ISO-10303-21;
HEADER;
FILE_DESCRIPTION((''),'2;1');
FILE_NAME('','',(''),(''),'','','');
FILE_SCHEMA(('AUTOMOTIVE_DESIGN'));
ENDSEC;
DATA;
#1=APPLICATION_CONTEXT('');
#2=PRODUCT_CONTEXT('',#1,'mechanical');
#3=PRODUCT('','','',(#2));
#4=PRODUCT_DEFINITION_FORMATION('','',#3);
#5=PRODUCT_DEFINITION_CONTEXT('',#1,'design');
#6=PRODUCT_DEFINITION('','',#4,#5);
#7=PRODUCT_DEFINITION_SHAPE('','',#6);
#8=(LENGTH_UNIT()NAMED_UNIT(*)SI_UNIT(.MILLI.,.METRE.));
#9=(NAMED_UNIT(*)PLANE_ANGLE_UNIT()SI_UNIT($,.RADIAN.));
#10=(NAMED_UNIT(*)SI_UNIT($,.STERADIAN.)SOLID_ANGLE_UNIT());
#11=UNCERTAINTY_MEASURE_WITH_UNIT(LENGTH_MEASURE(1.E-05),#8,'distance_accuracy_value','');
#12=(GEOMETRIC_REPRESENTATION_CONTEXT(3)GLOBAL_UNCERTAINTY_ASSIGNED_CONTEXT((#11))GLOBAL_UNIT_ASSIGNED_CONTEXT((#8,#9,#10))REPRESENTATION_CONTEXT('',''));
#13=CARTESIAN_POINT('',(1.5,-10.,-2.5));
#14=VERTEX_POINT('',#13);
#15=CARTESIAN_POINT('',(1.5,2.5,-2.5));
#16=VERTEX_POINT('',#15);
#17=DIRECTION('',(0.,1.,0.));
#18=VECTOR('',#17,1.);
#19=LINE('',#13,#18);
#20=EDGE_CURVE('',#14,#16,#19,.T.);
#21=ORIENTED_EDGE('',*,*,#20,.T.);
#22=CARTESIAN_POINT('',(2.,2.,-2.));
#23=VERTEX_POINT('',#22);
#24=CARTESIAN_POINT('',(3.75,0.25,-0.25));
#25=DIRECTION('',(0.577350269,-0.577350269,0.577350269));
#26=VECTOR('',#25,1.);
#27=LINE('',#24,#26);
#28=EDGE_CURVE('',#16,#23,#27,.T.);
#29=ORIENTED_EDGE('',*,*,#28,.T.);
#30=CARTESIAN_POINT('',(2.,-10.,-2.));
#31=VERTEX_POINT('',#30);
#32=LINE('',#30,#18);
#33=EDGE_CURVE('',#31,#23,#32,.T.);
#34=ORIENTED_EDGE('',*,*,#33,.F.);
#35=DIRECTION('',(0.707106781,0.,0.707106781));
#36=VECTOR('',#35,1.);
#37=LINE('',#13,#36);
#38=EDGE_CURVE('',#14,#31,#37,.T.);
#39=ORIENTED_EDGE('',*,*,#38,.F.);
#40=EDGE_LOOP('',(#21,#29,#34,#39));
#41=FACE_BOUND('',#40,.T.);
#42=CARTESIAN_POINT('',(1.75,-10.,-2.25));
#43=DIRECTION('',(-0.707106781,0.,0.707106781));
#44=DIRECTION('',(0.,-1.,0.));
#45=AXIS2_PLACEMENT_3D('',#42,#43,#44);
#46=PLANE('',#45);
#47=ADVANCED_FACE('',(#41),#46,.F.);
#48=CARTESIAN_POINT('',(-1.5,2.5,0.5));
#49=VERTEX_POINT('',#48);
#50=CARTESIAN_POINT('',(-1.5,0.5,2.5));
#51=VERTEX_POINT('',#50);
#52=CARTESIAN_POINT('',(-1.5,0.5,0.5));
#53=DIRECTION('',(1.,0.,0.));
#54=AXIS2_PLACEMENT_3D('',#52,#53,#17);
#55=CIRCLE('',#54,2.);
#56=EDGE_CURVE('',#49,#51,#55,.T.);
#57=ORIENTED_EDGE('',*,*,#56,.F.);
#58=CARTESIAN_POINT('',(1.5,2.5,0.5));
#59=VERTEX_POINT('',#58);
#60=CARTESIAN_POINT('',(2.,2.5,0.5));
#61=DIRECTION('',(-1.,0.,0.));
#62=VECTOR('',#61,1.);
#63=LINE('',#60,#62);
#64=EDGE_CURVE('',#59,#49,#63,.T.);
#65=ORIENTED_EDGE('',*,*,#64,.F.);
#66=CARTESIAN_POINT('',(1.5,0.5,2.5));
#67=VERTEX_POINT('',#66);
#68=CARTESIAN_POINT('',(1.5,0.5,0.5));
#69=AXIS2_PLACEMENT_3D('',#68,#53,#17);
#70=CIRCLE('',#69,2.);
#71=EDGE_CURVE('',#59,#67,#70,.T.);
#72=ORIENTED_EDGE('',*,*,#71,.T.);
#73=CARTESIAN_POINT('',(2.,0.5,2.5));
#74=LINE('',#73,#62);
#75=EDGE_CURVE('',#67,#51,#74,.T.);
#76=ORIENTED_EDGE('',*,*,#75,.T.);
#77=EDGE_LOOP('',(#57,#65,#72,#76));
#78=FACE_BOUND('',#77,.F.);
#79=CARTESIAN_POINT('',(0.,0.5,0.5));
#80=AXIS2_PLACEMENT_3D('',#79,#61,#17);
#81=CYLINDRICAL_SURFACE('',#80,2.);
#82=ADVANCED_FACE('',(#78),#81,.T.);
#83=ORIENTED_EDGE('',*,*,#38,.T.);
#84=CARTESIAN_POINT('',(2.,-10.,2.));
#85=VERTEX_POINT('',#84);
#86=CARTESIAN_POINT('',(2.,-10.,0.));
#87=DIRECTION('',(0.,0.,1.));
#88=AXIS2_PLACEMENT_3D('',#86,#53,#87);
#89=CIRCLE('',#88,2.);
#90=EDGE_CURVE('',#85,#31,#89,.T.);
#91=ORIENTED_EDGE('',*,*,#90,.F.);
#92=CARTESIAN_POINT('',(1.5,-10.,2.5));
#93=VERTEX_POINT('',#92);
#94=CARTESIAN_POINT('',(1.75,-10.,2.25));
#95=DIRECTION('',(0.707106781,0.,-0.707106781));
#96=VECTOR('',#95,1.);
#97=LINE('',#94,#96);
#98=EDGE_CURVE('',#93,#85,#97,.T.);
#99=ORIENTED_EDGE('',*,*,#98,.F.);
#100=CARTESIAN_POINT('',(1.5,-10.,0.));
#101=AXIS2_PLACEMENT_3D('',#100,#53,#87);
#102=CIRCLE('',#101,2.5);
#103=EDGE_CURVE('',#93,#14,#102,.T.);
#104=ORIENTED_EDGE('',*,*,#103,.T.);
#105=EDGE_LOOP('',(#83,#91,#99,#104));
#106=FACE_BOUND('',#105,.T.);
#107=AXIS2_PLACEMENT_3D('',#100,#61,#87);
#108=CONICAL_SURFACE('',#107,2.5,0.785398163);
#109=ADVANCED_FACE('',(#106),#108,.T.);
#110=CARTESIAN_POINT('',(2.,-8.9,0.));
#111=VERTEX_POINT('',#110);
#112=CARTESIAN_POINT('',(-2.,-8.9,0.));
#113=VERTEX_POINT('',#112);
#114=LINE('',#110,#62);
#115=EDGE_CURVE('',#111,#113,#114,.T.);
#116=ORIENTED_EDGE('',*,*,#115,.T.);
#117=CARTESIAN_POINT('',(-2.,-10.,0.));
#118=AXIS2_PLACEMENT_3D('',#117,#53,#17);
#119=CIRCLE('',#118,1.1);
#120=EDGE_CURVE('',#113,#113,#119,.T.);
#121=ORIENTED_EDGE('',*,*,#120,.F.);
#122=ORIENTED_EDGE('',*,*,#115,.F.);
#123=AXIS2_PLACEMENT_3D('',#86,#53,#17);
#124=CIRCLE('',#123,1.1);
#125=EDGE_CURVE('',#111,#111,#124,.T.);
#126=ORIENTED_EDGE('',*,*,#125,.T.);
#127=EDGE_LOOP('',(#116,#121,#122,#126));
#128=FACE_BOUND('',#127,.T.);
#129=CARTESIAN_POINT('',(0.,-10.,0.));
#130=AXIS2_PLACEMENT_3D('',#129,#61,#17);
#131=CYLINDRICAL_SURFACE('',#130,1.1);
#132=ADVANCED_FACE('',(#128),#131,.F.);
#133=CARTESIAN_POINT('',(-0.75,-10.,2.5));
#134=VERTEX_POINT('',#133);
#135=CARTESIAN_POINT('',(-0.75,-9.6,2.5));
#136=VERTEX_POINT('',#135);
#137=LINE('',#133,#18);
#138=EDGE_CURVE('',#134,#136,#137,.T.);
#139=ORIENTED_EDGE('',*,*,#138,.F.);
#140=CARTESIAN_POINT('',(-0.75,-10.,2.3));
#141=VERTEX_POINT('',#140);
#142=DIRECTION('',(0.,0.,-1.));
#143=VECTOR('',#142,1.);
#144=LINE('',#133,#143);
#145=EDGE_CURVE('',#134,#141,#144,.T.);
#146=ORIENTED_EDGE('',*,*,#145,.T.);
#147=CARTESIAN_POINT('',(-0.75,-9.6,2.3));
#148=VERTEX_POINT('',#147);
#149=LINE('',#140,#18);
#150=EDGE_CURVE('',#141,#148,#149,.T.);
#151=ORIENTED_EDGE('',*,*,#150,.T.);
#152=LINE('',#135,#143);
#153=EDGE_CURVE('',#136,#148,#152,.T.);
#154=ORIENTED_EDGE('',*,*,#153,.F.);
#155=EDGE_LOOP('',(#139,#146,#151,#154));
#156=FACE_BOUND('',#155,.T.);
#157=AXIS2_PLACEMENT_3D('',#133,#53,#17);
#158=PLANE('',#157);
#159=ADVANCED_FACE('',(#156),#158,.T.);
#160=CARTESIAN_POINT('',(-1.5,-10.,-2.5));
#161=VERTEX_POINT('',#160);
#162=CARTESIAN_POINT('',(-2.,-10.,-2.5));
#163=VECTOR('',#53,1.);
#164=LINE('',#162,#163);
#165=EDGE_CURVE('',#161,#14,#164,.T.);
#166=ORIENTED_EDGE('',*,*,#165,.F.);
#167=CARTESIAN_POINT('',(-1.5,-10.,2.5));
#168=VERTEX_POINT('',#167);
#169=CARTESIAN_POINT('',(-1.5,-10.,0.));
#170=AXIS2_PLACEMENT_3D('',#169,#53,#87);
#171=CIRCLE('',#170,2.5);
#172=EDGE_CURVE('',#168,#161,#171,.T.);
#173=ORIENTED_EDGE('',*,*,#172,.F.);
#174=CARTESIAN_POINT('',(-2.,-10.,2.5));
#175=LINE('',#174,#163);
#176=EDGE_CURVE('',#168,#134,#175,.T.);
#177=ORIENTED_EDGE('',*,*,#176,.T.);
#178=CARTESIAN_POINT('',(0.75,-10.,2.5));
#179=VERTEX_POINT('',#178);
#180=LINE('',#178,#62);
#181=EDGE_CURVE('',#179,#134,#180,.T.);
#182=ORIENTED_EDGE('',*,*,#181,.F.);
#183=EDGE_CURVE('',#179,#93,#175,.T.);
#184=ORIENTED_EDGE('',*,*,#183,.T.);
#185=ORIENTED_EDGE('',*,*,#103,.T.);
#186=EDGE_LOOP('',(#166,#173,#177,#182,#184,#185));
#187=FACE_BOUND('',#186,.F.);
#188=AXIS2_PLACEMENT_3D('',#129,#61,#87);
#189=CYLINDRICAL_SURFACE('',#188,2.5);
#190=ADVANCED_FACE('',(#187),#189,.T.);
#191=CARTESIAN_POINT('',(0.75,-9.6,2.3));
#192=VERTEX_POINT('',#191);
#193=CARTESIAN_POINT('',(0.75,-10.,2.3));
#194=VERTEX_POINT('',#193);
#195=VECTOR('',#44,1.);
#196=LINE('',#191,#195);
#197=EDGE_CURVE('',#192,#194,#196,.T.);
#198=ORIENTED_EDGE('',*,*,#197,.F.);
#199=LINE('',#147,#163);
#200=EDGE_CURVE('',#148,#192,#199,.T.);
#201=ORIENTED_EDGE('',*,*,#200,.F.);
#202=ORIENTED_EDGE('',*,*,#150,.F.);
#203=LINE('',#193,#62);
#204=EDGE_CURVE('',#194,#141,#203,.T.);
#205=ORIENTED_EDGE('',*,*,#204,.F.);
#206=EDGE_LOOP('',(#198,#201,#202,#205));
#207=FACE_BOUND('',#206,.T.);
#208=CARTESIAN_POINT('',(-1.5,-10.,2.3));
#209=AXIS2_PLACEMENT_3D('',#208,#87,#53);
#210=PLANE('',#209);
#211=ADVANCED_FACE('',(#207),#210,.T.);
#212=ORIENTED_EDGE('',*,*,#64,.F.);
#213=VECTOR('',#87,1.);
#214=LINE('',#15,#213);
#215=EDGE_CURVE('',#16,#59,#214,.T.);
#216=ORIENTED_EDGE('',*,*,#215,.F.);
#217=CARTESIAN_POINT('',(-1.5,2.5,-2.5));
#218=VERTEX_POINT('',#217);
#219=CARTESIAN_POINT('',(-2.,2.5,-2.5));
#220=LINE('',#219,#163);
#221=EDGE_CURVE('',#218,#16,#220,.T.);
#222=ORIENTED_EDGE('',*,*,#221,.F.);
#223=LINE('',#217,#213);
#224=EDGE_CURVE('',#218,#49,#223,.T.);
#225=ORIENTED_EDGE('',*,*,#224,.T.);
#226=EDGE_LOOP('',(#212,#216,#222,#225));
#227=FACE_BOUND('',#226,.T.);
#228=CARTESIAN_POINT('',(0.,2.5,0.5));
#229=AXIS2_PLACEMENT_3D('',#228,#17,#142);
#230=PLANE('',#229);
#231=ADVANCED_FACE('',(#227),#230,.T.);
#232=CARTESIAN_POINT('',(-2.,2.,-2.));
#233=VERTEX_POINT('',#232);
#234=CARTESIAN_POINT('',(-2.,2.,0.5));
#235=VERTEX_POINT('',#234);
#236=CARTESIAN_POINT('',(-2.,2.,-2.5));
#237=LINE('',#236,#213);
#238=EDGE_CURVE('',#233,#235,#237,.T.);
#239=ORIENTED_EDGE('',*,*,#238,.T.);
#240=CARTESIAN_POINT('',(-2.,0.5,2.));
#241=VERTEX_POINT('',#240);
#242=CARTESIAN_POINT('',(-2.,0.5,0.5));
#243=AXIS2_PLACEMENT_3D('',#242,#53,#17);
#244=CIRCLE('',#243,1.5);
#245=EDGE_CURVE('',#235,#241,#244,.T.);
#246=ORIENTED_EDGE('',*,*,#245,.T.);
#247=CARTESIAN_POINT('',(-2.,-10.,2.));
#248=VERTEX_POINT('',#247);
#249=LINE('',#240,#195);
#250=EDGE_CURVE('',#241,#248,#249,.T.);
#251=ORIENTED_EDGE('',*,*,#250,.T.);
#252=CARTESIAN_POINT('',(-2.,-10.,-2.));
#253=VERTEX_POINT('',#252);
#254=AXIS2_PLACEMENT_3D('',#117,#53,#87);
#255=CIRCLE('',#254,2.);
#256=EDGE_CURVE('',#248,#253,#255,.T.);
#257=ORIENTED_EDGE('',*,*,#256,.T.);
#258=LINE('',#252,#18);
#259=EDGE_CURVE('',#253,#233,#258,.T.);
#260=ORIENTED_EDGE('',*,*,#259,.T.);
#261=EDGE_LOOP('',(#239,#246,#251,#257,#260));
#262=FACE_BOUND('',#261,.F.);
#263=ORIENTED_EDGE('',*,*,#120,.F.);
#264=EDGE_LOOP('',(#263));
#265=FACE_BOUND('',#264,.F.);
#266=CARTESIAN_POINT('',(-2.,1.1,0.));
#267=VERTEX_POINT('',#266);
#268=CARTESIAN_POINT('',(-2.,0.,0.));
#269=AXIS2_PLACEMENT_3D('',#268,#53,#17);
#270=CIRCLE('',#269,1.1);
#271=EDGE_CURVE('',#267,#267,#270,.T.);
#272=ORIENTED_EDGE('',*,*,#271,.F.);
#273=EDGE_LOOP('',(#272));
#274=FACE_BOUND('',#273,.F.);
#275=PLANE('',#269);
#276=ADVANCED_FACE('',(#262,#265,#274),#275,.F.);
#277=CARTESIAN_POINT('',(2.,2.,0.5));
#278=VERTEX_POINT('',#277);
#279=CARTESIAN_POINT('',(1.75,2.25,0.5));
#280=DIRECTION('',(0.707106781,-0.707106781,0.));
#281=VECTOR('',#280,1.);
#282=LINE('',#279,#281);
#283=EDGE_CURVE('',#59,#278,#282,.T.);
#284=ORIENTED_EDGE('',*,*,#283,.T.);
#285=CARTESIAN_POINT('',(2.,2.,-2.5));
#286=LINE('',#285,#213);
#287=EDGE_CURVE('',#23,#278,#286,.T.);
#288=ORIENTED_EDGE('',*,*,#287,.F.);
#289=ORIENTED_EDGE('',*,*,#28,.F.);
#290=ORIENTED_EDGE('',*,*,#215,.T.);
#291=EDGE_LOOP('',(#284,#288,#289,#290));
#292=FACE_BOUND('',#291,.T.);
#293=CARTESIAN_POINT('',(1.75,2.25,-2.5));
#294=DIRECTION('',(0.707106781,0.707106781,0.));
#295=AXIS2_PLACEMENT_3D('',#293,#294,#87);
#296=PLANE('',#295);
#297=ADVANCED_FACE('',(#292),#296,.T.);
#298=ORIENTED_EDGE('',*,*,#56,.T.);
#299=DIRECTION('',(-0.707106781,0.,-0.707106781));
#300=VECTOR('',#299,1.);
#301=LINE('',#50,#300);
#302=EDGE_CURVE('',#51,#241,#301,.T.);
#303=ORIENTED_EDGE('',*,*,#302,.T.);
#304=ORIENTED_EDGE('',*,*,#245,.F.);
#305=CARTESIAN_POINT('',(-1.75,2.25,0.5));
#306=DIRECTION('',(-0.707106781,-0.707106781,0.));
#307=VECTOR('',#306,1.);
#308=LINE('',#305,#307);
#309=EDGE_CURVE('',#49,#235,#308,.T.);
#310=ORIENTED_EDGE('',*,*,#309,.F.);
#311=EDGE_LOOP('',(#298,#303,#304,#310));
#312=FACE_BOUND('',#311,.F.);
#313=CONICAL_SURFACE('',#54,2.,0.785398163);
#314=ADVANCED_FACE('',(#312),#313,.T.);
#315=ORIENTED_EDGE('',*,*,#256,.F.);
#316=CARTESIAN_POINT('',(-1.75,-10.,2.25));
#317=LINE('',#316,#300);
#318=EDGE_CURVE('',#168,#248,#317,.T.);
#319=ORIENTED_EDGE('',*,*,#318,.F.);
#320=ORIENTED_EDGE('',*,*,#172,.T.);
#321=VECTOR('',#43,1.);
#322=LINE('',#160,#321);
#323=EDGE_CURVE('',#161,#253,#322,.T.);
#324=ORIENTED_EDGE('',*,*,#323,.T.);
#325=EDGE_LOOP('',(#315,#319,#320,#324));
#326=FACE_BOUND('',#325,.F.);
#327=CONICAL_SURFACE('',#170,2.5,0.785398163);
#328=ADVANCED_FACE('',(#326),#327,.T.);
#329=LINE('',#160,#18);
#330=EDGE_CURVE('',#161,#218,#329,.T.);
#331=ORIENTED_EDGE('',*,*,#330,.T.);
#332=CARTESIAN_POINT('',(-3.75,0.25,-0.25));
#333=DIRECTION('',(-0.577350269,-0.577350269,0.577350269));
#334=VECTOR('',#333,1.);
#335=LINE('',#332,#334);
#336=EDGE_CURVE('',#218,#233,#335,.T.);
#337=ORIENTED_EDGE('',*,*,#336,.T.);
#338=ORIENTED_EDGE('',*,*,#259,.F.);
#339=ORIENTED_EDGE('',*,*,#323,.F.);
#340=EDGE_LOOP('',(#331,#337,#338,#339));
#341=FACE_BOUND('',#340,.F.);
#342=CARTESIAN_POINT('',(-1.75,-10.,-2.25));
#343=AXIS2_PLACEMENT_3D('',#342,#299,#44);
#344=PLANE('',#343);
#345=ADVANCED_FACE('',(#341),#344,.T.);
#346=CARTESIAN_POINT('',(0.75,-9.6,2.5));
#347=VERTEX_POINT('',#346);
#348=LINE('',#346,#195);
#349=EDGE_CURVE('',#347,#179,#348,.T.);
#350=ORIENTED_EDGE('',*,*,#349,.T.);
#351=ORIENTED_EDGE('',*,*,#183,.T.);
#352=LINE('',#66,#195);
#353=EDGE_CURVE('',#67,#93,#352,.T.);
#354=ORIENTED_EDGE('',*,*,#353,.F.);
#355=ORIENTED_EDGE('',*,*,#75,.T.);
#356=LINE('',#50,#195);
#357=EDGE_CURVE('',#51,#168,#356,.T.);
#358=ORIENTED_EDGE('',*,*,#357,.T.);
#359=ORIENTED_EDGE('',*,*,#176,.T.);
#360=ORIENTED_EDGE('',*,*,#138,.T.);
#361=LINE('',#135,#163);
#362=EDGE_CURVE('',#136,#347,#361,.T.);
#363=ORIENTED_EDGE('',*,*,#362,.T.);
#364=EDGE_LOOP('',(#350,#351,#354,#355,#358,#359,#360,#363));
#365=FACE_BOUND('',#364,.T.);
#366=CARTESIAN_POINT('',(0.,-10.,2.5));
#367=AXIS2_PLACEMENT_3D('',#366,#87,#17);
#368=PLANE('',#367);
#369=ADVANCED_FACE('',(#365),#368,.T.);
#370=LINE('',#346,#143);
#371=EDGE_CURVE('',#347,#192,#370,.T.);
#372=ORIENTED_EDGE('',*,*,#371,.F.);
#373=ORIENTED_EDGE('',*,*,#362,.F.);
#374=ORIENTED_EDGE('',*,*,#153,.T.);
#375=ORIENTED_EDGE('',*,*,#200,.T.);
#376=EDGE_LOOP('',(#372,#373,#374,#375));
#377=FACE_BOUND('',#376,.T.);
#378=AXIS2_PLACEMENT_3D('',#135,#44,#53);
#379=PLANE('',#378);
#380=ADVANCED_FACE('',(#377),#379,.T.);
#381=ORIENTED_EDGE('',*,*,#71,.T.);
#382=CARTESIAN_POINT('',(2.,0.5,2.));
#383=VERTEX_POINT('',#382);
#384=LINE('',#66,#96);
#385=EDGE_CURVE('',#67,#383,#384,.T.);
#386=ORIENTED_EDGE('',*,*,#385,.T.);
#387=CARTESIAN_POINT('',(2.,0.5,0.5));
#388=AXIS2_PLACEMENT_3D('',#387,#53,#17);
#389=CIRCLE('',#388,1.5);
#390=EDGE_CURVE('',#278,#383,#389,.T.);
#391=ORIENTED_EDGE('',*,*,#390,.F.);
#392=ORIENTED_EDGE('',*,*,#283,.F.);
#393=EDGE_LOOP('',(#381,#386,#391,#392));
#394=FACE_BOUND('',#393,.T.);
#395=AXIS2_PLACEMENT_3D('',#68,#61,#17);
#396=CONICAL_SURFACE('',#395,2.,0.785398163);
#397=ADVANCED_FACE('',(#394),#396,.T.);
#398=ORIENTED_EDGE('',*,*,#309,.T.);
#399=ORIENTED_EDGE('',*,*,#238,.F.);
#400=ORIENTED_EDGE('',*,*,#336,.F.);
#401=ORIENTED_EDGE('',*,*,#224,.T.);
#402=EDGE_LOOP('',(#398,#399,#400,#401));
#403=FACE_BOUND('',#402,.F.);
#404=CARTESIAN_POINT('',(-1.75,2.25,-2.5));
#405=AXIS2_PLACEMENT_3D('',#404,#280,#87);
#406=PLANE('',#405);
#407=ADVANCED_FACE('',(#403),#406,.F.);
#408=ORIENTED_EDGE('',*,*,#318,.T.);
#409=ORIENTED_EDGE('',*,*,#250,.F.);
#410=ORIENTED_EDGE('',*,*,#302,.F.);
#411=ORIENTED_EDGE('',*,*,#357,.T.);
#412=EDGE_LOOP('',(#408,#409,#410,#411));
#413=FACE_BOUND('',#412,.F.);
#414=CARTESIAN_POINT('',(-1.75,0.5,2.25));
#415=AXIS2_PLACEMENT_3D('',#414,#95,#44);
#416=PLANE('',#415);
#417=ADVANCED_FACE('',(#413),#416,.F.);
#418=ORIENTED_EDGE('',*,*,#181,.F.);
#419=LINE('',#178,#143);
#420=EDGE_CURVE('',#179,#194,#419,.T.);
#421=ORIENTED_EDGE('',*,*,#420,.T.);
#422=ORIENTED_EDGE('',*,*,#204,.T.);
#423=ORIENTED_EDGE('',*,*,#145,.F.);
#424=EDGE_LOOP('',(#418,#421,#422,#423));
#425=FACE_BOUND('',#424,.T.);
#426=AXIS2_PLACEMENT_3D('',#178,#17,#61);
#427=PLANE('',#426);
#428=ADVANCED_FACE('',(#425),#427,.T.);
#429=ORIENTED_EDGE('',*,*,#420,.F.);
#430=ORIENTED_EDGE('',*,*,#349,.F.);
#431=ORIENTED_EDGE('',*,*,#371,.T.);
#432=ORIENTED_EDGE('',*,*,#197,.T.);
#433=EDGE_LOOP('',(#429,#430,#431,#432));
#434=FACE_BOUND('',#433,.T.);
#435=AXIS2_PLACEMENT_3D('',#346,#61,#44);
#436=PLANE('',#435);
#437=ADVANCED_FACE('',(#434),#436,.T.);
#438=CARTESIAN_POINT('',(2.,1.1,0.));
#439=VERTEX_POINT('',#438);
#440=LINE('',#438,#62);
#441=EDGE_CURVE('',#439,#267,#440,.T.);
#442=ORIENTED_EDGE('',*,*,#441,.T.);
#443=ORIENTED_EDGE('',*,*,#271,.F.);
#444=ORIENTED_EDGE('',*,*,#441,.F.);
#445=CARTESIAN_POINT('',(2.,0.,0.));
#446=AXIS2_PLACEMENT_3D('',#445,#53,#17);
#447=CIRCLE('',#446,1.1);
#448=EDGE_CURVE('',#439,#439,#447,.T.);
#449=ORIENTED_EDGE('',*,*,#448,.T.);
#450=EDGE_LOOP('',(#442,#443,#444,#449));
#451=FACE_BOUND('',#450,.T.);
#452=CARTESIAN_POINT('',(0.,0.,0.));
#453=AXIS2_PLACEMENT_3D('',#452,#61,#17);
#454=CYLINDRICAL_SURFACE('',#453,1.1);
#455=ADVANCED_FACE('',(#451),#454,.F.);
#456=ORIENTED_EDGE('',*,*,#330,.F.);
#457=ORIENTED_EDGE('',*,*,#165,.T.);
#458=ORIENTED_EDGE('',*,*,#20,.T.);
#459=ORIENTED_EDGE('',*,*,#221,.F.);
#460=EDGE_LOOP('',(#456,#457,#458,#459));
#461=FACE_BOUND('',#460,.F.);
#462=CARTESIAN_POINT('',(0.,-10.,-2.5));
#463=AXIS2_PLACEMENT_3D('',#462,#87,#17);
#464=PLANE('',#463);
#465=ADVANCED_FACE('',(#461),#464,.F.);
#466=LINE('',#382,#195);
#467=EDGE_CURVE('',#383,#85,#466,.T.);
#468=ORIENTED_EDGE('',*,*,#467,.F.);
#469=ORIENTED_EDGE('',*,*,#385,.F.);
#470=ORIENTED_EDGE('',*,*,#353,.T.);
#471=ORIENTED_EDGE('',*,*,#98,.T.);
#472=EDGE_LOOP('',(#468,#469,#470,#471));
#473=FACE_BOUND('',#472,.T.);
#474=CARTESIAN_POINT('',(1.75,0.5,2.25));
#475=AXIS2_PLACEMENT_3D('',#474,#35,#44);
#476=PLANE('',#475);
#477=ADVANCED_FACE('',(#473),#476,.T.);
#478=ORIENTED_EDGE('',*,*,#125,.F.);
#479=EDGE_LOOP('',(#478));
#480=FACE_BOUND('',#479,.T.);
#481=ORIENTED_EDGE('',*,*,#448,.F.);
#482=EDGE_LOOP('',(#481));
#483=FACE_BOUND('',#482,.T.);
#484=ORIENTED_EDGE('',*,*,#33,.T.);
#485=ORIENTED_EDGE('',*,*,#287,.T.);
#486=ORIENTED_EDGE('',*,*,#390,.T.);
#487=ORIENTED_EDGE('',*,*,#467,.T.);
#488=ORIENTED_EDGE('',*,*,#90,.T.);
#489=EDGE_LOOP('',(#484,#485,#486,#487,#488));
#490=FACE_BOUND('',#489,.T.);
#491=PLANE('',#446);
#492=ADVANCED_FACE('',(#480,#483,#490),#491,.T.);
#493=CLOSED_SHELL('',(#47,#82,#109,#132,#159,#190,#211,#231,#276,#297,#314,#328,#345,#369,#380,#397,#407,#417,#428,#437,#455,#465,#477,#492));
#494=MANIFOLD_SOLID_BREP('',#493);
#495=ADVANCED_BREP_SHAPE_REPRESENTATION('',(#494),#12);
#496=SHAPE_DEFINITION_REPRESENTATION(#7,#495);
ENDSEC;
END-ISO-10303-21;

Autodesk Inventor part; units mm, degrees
ref_plane "YZ Plane" through (0, 0, 0) normal (1, 0, 0) x (0, 1, 0)
ref_plane "XZ Plane" through (0, 0, 0) normal (0, 1, 0) x (-1, 0, 0)
ref_plane "XY Plane" through (0, 0, 0) normal (0, 0, 1) x (1, 0, 0)
sketch "Skizze1" plane through (0, 0, 0) normal (1, 0, 0) x (0, 1, 0)
  line L0 (0, 0) -> (-10, 0) construction
  circle A0 centre (0, 0) radius 1.1
  circle A1 centre (-10, 0) radius 1.1
  arc A2 (-10, 2.5) -> (-10, -2.5) centre (-10, 0) ccw
  line L1 (-10, -2.5) -> (2.5, -2.5)
  line L2 (-10, 2.5) -> (0.5, 2.5)
  arc A3 (2.5, 0.5) -> (0.5, 2.5) centre (0.5, 0.5) ccw
  line L3 (2.5, 0.5) -> (2.5, -2.5)
  dimension "d0" = 10
  dimension "d1" = 2.2
  dimension "d2" = 2.2
  dimension "d3" = 2.5
  dimension "d8" = 2
  dimension "d9" = 2.5
extrude "Extrusion1" add sketch "Skizze1" along normal mid plane 4
chamfer "Fase1" distance 0.5 angle 45 10 edges at (2, 1.9142, 1.9142) (2, -4.75, 2.5) (2, -12.5, 0) (2, -3.75, -2.5) (2, 2.5, -1) (-2, 1.9142, 1.9142) (-2, -4.75, 2.5) (-2, -12.5, 0) (-2, -3.75, -2.5) (-2, 2.5, -1)
sketch "Skizze4" plane through (-1.5, -10, 2.5) normal (0, 0, 1) x (1, 0, 0)
  line L0 (1.5, 15.5) -> (1.5, -5.5) construction
  line L1 (0, 0) -> (3, 0) construction
  line L2 (0.75, 0.4) -> (2.25, 0.4)
  line L3 (2.25, 0.4) -> (2.25, 0)
  line L4 (2.25, 0) -> (0.75, 0)
  line L5 (0.75, 0) -> (0.75, 0.4)
  line L6 (0.75, 0.4) -> (2.25, 0) construction
  line L7 (2.25, 0.4) -> (0.75, 0) construction
  point P0 (1.5, 10)
  point P1 (1.5, 0.2)
  point P2 (1.5, 0)
  dimension "d23" = 0.4
  dimension "d24" = 1.5
extrude "Extrusion3" cut sketch "Skizze4" against normal blind 0.2
equation "\"d2\" = d1"
properties part number "Chipanschlag T0.5"
